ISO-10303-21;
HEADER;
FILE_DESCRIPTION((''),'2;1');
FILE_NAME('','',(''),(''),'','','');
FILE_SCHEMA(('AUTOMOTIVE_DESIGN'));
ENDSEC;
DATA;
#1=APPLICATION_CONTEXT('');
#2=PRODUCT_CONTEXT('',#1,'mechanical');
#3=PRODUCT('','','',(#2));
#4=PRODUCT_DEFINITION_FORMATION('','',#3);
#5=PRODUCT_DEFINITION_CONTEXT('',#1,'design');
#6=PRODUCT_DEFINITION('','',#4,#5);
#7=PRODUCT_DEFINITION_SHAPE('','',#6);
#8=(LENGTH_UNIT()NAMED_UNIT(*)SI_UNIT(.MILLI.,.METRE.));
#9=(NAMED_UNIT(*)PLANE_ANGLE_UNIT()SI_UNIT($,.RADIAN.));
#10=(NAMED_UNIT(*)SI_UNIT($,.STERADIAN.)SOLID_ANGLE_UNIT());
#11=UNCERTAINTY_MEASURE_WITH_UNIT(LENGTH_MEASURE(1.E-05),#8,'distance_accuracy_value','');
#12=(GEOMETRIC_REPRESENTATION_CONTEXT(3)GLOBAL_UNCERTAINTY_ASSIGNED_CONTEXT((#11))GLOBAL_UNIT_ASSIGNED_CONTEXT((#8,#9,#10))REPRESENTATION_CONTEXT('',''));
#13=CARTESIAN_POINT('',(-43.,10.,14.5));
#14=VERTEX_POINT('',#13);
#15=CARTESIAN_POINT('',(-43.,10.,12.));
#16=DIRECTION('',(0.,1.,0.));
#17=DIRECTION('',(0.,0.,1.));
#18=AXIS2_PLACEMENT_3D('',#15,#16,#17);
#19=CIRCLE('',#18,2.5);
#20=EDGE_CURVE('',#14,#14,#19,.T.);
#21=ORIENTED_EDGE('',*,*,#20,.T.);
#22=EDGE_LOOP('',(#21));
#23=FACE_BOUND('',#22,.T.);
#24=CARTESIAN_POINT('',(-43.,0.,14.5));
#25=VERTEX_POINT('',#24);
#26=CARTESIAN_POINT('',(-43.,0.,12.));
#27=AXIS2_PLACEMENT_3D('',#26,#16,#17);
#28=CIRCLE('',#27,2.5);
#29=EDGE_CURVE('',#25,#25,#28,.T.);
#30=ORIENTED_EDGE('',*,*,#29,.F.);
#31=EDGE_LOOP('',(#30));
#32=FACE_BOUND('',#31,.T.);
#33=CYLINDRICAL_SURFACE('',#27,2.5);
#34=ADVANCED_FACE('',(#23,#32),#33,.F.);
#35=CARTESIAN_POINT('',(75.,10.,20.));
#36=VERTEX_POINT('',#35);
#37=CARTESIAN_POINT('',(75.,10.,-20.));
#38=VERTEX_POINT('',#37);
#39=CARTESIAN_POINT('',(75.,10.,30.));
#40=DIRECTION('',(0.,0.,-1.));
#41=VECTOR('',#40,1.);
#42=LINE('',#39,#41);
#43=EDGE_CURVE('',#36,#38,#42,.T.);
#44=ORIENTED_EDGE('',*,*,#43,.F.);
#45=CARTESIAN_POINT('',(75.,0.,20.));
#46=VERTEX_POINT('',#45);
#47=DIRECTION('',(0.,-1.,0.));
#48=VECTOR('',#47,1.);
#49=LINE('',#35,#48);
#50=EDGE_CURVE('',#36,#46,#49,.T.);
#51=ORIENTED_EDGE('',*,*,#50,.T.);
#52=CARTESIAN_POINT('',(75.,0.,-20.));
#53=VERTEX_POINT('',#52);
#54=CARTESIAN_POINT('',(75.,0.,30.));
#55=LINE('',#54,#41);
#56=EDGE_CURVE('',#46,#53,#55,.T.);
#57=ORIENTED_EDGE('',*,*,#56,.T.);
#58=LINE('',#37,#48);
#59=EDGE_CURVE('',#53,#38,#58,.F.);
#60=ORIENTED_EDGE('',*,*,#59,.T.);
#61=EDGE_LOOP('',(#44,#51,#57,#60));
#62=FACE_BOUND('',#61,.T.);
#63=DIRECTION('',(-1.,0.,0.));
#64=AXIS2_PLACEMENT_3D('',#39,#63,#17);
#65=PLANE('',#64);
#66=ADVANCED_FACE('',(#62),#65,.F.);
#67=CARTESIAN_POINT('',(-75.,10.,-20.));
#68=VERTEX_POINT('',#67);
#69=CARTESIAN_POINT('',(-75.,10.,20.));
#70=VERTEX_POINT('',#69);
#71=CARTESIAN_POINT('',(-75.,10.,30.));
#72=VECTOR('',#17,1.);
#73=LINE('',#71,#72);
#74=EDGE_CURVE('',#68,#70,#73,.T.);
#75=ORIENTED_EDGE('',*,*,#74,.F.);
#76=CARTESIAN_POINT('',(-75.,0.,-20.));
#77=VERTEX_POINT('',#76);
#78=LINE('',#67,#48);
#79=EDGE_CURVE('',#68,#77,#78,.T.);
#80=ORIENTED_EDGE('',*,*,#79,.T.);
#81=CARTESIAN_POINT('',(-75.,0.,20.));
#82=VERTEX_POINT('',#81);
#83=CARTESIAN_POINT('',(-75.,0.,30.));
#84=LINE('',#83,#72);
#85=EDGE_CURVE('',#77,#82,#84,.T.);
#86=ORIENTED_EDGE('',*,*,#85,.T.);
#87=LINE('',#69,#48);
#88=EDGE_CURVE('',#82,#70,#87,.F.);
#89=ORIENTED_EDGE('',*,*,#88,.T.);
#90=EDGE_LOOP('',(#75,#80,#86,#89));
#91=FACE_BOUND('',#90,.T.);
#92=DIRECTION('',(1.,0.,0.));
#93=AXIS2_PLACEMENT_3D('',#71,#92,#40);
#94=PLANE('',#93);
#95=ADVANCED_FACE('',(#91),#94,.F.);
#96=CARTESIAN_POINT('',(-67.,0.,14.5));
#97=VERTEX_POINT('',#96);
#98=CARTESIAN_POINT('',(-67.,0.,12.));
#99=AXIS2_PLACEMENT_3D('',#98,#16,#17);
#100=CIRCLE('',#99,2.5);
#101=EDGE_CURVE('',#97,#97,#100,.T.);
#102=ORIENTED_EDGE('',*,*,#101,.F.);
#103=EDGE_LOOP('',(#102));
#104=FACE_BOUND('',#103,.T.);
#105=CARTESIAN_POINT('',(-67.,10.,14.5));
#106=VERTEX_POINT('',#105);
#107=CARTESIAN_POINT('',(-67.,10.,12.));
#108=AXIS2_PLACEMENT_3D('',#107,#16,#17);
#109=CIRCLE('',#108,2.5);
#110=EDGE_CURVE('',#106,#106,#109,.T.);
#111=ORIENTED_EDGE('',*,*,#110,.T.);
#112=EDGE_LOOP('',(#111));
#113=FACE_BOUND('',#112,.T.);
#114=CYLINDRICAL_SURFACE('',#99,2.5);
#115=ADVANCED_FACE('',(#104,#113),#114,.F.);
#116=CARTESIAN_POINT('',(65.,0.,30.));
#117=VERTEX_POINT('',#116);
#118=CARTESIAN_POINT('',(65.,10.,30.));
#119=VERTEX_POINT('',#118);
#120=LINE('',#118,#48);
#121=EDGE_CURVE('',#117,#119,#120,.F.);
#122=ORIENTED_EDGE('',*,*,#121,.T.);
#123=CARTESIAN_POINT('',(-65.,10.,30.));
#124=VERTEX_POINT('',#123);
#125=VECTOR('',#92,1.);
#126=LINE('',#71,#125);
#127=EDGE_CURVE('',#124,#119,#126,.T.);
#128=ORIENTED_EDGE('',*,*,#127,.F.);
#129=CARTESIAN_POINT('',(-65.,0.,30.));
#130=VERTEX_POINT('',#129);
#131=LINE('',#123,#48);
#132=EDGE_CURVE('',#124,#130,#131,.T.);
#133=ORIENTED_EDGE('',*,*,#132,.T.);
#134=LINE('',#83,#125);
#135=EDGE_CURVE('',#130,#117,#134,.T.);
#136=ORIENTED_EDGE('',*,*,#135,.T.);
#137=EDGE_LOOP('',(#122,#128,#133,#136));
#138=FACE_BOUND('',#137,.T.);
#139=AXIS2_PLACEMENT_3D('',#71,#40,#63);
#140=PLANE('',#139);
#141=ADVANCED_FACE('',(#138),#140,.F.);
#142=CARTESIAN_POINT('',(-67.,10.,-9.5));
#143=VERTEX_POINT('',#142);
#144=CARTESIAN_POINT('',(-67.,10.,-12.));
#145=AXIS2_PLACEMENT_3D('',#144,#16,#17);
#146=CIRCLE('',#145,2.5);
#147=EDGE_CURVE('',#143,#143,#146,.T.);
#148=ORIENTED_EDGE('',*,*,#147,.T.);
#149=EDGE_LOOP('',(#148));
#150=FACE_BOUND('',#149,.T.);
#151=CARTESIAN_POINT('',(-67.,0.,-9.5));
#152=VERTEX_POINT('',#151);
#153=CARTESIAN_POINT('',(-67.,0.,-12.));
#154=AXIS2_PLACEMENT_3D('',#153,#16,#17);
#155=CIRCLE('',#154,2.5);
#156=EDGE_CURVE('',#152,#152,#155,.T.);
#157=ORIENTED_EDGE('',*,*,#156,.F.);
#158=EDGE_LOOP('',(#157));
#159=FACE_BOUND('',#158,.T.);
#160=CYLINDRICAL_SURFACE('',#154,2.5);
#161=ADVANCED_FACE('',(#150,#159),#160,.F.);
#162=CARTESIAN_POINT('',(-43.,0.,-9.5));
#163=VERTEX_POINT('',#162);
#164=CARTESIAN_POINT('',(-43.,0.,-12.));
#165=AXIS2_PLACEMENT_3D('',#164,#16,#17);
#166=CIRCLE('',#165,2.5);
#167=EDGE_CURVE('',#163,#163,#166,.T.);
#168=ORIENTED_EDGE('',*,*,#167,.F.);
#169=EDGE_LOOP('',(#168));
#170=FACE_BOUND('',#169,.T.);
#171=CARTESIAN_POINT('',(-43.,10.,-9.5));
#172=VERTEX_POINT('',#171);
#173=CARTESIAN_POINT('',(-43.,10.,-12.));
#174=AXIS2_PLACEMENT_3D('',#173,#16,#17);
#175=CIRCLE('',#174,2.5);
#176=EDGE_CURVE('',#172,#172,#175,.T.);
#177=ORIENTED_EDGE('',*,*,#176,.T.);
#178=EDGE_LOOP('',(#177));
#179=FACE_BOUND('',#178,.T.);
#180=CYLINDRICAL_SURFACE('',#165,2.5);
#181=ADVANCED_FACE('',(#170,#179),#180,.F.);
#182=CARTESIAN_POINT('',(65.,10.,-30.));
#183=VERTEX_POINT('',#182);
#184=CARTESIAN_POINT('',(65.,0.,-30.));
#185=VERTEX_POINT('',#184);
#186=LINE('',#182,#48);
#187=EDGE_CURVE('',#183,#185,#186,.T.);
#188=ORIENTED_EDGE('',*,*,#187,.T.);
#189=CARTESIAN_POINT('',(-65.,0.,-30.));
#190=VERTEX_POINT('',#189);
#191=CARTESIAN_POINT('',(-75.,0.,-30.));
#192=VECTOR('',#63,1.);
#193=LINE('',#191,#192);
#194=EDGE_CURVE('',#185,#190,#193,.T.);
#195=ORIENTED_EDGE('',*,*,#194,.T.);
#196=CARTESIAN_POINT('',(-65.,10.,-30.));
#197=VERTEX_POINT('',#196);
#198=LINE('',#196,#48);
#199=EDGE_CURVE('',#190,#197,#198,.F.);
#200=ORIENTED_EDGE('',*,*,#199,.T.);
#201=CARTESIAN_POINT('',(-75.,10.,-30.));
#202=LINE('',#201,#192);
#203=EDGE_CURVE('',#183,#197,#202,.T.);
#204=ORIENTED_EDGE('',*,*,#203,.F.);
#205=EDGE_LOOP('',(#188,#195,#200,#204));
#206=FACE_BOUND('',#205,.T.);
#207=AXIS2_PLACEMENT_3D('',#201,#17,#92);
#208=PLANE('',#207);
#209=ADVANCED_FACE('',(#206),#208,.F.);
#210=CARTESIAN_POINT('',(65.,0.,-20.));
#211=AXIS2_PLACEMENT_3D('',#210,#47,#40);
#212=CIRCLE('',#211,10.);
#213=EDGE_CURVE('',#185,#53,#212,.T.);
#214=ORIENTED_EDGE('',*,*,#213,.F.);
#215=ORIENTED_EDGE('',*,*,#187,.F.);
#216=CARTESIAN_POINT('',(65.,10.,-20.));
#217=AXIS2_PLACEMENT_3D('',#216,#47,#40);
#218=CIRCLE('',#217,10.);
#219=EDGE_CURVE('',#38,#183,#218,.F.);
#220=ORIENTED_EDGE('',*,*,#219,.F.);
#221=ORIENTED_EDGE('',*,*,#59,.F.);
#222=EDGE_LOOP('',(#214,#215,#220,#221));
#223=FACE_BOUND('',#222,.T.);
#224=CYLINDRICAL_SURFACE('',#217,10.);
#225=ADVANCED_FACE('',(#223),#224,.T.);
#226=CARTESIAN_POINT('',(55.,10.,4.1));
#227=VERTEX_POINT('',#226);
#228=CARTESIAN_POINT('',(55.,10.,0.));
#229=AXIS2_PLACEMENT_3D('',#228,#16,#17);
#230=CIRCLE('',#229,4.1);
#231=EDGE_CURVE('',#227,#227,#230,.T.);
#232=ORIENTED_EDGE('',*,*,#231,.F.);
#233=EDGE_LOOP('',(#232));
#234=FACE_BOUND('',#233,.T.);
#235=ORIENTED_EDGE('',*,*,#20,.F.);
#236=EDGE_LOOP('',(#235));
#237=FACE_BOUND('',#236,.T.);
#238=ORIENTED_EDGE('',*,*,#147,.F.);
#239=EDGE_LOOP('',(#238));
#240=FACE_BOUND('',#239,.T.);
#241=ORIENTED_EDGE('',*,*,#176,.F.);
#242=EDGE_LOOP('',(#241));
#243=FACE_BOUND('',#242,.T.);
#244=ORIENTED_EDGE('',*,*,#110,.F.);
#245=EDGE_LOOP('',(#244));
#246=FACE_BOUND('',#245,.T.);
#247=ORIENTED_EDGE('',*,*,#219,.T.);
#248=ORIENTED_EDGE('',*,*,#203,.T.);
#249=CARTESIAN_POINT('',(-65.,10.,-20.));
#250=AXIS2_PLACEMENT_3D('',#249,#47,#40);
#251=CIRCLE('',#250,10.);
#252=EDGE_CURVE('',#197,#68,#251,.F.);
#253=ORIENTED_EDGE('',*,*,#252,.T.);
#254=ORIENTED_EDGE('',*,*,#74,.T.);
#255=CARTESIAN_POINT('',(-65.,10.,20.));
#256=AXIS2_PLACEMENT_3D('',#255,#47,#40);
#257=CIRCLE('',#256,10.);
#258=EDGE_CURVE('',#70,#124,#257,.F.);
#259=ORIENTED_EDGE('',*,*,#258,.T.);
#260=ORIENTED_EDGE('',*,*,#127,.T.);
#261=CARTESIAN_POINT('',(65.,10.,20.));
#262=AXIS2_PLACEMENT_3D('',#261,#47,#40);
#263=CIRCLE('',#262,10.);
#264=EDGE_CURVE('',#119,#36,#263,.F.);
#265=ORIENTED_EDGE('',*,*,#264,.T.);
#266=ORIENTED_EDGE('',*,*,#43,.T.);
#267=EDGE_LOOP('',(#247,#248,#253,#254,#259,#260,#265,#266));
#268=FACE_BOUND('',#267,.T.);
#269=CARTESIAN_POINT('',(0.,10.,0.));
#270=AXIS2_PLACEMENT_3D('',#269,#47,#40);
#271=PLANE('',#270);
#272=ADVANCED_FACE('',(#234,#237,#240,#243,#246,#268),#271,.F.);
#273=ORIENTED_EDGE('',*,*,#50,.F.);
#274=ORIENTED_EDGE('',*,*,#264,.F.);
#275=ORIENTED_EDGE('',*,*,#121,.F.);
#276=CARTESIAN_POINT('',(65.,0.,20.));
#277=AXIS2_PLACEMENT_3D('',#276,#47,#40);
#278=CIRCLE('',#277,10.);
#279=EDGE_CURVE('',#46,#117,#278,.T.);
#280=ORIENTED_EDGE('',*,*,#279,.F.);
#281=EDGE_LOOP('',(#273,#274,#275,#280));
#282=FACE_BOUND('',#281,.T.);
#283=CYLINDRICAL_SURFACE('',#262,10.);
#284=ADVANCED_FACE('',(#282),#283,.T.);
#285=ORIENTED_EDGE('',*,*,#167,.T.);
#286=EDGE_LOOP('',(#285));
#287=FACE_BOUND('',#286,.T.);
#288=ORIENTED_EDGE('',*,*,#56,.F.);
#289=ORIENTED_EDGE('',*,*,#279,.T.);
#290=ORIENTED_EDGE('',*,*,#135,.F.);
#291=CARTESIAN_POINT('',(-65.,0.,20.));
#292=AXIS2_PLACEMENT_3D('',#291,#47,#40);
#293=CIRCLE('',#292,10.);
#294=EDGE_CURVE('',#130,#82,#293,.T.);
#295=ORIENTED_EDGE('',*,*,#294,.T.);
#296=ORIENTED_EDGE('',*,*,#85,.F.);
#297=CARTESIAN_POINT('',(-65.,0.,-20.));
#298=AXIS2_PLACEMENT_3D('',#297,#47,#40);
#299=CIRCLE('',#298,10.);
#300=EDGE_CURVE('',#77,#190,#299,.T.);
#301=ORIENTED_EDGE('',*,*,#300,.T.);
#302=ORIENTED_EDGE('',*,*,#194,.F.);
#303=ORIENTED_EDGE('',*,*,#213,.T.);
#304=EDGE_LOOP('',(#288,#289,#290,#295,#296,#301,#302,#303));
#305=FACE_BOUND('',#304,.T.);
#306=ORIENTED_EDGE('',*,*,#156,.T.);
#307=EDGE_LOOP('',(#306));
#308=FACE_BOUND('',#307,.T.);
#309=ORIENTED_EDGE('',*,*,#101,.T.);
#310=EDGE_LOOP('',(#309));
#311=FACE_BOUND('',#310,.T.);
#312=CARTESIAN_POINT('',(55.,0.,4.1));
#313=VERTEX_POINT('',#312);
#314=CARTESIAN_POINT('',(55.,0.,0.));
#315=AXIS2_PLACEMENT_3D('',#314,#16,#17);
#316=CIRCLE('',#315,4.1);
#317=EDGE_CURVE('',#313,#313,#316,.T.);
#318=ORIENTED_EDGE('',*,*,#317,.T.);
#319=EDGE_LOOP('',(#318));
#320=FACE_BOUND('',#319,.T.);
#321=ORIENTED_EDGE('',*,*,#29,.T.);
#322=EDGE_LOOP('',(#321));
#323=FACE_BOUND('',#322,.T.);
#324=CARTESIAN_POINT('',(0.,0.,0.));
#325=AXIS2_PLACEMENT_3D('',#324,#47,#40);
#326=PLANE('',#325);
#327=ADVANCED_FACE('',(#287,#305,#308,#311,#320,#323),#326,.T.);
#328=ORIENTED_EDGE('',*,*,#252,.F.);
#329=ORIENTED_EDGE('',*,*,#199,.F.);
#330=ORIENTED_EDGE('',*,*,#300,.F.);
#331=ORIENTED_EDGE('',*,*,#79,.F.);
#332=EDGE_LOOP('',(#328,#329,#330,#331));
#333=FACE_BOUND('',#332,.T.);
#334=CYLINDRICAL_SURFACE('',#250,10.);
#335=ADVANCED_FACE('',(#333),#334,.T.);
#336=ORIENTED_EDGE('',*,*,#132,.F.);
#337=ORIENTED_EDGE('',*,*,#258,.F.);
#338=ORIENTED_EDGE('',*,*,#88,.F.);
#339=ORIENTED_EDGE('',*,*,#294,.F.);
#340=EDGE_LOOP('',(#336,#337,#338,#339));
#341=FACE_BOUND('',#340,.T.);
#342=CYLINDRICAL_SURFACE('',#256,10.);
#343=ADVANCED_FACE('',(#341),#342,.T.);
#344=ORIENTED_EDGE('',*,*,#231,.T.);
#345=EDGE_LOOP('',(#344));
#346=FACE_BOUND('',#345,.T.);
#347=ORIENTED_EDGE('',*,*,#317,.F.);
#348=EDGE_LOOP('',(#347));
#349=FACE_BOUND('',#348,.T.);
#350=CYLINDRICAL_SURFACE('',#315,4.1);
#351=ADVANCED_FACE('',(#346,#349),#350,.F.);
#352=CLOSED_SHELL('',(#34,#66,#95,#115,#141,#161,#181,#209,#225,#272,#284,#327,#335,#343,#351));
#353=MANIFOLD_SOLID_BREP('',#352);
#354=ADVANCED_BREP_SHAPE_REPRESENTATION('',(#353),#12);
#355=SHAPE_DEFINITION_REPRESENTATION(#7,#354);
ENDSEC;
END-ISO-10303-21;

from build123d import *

# Parameters (mm, degrees)
SKETCH_1_W          = 150
SKETCH_1_H          = 60
EXTRUDE_1_DEPTH     = 10
FILLET_1_R          = 10
SKETCH_2_R          = 2.5
SKETCH_2_R_2        = 4.1
CUT_EXTRUDE_1_DEPTH = 82.39410298


with BuildPart() as part:
    # ｽｹｯﾁ1 → ﾎﾞｽ - 押し出し1 (new body)
    with BuildSketch(Plane(origin=(0, 0, 0), x_dir=(1, 0, 0), z_dir=(0, 1, 0))):
        Rectangle(SKETCH_1_W, SKETCH_1_H)
    extrude(amount=EXTRUDE_1_DEPTH)

    # ﾌｨﾚｯﾄ1
    fillet_1_edges = [part.edges().sort_by_distance(p)[0] for p in [
        (75, 5, 30),
        (-75, 5, 30),
        (-75, 5, -30),
        (75, 5, -30),
    ]]
    fillet(fillet_1_edges, radius=FILLET_1_R)

    # ｽｹｯﾁ2 → ｶｯﾄ - 押し出し1 (cut, through all)
    with BuildSketch(Plane(origin=(0, 10, 0), x_dir=(1, 0, 0), z_dir=(0, 1, 0))):
        with Locations(Location((-67, 12, 0), (0, 0, 270))):
            Circle(SKETCH_2_R)
        with Locations(Location((-43, 12, 0), (0, 0, 270))):
            Circle(SKETCH_2_R)
        with Locations(Location((-67, -12, 0), (0, 0, 270))):
            Circle(SKETCH_2_R)
        with Locations(Location((-43, -12, 0), (0, 0, 270))):
            Circle(SKETCH_2_R)
        with Locations(Location((55, 0, 0), (0, 0, 270))):
            Circle(SKETCH_2_R_2)
    extrude(amount=-CUT_EXTRUDE_1_DEPTH, mode=Mode.SUBTRACT)


solid = part.part
